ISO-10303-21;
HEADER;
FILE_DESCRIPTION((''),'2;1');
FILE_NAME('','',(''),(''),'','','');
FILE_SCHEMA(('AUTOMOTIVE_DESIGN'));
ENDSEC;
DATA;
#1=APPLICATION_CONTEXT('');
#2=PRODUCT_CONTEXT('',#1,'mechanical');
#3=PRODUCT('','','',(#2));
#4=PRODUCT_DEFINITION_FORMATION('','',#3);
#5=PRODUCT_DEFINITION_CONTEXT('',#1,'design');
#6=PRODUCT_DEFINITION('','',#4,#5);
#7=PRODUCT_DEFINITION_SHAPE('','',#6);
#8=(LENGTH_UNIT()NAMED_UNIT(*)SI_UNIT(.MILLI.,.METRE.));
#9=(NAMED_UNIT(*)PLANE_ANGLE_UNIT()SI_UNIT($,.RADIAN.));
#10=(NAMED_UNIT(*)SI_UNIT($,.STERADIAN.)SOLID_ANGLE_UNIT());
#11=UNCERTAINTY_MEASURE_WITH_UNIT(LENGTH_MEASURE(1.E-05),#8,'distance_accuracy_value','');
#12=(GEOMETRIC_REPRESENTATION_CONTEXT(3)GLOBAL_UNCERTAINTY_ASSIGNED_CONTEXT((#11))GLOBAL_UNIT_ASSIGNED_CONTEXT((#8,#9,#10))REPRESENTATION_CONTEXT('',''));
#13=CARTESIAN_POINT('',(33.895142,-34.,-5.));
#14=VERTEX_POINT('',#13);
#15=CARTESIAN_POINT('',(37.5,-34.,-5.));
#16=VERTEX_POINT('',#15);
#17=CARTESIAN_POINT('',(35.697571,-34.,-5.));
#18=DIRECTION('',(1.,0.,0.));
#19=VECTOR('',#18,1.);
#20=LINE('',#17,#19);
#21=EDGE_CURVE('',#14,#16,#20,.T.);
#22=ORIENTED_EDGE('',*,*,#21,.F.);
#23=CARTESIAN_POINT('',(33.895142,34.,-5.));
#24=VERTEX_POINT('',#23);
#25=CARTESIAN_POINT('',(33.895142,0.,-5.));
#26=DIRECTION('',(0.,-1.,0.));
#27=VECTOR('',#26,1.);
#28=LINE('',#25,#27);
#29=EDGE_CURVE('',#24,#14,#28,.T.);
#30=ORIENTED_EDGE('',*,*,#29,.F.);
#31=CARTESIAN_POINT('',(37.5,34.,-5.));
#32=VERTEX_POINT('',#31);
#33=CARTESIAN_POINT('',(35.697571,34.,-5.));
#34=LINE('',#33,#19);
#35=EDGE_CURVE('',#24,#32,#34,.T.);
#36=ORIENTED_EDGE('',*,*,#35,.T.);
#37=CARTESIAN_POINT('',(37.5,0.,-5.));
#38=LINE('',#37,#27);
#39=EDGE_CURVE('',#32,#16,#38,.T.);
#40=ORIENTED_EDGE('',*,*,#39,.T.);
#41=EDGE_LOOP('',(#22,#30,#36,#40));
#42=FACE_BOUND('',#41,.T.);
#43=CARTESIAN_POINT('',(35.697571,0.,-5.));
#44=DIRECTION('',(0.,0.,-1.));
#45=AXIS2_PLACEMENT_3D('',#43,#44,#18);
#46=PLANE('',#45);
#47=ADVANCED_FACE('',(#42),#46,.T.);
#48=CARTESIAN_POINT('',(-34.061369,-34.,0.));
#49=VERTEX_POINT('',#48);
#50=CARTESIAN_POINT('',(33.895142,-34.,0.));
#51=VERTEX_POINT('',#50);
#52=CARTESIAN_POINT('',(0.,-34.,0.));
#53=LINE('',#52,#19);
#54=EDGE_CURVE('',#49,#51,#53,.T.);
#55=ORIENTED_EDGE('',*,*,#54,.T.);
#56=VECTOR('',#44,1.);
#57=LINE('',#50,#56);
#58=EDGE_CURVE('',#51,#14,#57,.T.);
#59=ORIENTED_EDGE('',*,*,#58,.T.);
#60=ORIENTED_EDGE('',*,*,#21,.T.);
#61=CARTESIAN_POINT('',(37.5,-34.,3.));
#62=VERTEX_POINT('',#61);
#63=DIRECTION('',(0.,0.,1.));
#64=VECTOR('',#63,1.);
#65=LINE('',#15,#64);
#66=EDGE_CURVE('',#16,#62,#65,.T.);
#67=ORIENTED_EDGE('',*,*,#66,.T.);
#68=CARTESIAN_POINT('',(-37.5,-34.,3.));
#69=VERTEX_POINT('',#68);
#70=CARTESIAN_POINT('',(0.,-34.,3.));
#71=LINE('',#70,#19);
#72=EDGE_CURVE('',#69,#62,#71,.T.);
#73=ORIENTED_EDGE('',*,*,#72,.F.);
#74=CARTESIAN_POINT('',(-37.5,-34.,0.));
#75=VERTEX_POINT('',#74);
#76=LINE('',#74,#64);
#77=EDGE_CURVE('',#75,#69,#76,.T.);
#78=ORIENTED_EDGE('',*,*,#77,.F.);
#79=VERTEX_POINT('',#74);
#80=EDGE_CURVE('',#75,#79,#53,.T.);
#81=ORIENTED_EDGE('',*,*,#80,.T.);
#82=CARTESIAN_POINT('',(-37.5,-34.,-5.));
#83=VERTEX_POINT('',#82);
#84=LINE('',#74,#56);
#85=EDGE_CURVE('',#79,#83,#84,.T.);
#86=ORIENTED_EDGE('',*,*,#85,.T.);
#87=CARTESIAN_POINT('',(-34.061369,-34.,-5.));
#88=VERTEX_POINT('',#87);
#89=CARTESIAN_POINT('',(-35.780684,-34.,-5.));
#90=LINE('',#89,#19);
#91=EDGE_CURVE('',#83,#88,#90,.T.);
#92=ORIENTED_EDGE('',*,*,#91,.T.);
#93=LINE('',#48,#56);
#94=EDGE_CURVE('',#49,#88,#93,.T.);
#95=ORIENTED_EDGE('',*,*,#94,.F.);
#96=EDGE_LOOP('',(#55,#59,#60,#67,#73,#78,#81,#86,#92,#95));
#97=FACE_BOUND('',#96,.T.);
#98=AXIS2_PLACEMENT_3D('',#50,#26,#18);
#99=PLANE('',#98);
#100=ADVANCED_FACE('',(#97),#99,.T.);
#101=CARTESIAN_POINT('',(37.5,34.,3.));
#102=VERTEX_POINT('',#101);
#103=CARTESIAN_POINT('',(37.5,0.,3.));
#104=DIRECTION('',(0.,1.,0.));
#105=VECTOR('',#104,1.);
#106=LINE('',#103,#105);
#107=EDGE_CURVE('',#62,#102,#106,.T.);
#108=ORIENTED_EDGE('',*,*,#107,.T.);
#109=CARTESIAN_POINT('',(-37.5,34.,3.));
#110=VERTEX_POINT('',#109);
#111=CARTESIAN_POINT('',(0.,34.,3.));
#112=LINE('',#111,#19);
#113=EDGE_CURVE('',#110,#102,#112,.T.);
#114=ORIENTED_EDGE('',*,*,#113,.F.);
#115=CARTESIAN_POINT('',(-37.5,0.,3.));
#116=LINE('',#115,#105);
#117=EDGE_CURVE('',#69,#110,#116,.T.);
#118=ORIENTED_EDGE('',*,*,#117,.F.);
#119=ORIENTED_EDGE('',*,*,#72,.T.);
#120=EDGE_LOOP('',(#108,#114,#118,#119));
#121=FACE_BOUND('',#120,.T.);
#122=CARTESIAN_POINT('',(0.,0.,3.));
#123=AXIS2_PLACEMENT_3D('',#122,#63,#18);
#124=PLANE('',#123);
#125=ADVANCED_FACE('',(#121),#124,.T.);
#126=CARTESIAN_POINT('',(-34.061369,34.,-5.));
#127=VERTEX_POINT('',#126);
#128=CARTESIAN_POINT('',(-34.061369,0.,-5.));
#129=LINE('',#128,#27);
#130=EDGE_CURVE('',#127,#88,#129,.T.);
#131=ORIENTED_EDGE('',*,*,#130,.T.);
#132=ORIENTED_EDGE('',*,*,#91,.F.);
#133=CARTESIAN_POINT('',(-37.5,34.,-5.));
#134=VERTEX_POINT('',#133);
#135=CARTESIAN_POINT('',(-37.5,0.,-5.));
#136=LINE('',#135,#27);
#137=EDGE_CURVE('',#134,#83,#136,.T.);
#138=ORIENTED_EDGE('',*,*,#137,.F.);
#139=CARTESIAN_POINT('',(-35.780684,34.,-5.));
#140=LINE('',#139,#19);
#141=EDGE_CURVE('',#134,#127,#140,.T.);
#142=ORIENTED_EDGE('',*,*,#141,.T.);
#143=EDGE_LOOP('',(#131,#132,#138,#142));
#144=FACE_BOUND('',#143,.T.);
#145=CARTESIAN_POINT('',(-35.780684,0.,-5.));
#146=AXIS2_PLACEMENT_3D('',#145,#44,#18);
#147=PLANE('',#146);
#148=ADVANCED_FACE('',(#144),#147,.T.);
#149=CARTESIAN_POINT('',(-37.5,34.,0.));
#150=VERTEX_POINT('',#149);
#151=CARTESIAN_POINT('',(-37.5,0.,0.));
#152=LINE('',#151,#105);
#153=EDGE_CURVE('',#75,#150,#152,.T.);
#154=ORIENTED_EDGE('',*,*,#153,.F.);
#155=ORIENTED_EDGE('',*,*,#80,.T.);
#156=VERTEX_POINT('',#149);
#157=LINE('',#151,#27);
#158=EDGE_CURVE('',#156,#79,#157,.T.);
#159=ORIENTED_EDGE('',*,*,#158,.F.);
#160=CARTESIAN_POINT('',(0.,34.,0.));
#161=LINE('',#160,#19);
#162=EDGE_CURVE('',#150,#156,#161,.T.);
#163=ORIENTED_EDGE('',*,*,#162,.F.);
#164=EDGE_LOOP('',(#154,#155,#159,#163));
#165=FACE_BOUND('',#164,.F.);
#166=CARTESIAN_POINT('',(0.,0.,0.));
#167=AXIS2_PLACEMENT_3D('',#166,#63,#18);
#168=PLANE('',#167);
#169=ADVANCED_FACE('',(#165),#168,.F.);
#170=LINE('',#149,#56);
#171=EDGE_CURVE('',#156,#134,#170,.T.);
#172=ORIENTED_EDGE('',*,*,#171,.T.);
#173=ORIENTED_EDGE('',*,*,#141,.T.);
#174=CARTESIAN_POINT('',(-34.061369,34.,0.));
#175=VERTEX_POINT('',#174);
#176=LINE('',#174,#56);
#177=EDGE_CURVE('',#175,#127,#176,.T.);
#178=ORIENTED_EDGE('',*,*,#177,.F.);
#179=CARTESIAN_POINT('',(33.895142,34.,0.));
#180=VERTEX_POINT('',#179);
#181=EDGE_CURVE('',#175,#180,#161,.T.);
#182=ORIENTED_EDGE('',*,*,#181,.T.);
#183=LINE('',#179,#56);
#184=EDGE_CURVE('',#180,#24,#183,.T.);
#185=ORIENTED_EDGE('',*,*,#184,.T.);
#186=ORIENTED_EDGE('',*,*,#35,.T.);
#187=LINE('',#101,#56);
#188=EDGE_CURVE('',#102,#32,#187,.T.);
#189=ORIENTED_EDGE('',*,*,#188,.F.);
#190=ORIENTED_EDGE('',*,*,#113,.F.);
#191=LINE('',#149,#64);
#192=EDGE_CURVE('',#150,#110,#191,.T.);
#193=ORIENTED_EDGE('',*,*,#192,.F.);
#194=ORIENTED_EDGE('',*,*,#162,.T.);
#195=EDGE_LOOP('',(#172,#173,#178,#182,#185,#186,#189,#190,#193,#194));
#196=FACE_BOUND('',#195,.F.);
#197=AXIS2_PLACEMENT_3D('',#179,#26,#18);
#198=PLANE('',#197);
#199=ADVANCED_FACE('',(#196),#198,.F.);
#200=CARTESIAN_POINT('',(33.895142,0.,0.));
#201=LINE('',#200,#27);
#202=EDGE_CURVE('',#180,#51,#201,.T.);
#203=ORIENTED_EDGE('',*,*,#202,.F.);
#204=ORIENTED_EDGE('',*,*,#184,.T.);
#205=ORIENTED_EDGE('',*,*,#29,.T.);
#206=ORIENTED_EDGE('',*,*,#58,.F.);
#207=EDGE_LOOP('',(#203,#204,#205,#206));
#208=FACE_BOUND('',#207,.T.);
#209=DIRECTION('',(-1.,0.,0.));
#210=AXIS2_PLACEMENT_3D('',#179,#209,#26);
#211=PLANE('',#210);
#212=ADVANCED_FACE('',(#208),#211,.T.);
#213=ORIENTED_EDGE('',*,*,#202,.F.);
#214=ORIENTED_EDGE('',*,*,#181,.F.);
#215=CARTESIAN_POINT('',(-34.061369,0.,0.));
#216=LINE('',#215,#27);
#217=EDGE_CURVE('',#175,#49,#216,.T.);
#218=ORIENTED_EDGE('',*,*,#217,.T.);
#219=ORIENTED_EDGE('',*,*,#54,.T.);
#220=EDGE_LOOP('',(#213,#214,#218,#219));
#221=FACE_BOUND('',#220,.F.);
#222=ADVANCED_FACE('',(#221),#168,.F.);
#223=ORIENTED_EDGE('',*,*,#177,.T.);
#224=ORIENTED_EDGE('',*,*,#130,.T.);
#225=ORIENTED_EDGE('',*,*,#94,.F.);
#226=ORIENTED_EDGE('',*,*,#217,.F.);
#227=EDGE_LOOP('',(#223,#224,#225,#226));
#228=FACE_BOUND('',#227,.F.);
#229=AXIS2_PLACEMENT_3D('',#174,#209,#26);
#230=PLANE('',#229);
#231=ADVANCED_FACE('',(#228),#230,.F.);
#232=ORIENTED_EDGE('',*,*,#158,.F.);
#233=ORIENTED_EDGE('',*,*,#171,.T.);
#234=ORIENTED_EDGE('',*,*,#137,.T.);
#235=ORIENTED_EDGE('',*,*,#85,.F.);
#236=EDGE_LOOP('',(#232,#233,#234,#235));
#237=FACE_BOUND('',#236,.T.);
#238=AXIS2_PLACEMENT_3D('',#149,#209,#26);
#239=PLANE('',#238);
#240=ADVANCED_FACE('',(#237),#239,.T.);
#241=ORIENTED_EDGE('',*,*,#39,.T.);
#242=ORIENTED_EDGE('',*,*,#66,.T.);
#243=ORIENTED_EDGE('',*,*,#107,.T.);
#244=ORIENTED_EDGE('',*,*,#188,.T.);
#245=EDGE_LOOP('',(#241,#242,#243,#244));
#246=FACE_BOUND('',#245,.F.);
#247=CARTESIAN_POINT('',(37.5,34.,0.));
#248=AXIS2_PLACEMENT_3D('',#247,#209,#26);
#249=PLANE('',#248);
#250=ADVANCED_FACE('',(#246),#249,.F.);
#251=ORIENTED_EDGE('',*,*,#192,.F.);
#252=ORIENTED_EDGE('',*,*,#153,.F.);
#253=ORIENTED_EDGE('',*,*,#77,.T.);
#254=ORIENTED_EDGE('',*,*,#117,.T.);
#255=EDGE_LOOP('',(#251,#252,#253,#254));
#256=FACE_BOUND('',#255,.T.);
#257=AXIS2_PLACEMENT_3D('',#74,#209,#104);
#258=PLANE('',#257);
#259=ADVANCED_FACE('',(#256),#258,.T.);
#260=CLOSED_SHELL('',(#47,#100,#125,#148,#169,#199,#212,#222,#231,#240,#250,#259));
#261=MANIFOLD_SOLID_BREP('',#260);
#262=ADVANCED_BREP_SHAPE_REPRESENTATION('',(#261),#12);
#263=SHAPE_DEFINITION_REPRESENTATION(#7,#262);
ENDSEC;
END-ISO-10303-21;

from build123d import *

# Parameters (mm, degrees)
F0_W     = 75
F0_H     = 68
F1_DEPTH = 3
F2_W     = 3.438631
F2_H     = 68
F3_W     = 3.604858
F3_H     = 68
F4_DEPTH = 5


with BuildPart() as f1:
    # F0 (on Top) → F1 (new body)
    with BuildSketch(Plane.XY):
        Rectangle(F0_W, F0_H)
    extrude(amount=F1_DEPTH)

    # F2 (on face) + F3 (on face) → F4 (join)
    with BuildSketch(Plane(origin=(0, 0, 0), x_dir=(1, 0, 0), z_dir=(0, 0, -1))):
        with Locations((-35.780684, 0)):
            Rectangle(F2_W, F2_H)
    with BuildSketch(Plane(origin=(0, 0, 0), x_dir=(1, 0, 0), z_dir=(0, 0, -1))):
        with Locations((35.697571, 0)):
            Rectangle(F3_W, F3_H)
    extrude(amount=F4_DEPTH)


solid = f1.part
